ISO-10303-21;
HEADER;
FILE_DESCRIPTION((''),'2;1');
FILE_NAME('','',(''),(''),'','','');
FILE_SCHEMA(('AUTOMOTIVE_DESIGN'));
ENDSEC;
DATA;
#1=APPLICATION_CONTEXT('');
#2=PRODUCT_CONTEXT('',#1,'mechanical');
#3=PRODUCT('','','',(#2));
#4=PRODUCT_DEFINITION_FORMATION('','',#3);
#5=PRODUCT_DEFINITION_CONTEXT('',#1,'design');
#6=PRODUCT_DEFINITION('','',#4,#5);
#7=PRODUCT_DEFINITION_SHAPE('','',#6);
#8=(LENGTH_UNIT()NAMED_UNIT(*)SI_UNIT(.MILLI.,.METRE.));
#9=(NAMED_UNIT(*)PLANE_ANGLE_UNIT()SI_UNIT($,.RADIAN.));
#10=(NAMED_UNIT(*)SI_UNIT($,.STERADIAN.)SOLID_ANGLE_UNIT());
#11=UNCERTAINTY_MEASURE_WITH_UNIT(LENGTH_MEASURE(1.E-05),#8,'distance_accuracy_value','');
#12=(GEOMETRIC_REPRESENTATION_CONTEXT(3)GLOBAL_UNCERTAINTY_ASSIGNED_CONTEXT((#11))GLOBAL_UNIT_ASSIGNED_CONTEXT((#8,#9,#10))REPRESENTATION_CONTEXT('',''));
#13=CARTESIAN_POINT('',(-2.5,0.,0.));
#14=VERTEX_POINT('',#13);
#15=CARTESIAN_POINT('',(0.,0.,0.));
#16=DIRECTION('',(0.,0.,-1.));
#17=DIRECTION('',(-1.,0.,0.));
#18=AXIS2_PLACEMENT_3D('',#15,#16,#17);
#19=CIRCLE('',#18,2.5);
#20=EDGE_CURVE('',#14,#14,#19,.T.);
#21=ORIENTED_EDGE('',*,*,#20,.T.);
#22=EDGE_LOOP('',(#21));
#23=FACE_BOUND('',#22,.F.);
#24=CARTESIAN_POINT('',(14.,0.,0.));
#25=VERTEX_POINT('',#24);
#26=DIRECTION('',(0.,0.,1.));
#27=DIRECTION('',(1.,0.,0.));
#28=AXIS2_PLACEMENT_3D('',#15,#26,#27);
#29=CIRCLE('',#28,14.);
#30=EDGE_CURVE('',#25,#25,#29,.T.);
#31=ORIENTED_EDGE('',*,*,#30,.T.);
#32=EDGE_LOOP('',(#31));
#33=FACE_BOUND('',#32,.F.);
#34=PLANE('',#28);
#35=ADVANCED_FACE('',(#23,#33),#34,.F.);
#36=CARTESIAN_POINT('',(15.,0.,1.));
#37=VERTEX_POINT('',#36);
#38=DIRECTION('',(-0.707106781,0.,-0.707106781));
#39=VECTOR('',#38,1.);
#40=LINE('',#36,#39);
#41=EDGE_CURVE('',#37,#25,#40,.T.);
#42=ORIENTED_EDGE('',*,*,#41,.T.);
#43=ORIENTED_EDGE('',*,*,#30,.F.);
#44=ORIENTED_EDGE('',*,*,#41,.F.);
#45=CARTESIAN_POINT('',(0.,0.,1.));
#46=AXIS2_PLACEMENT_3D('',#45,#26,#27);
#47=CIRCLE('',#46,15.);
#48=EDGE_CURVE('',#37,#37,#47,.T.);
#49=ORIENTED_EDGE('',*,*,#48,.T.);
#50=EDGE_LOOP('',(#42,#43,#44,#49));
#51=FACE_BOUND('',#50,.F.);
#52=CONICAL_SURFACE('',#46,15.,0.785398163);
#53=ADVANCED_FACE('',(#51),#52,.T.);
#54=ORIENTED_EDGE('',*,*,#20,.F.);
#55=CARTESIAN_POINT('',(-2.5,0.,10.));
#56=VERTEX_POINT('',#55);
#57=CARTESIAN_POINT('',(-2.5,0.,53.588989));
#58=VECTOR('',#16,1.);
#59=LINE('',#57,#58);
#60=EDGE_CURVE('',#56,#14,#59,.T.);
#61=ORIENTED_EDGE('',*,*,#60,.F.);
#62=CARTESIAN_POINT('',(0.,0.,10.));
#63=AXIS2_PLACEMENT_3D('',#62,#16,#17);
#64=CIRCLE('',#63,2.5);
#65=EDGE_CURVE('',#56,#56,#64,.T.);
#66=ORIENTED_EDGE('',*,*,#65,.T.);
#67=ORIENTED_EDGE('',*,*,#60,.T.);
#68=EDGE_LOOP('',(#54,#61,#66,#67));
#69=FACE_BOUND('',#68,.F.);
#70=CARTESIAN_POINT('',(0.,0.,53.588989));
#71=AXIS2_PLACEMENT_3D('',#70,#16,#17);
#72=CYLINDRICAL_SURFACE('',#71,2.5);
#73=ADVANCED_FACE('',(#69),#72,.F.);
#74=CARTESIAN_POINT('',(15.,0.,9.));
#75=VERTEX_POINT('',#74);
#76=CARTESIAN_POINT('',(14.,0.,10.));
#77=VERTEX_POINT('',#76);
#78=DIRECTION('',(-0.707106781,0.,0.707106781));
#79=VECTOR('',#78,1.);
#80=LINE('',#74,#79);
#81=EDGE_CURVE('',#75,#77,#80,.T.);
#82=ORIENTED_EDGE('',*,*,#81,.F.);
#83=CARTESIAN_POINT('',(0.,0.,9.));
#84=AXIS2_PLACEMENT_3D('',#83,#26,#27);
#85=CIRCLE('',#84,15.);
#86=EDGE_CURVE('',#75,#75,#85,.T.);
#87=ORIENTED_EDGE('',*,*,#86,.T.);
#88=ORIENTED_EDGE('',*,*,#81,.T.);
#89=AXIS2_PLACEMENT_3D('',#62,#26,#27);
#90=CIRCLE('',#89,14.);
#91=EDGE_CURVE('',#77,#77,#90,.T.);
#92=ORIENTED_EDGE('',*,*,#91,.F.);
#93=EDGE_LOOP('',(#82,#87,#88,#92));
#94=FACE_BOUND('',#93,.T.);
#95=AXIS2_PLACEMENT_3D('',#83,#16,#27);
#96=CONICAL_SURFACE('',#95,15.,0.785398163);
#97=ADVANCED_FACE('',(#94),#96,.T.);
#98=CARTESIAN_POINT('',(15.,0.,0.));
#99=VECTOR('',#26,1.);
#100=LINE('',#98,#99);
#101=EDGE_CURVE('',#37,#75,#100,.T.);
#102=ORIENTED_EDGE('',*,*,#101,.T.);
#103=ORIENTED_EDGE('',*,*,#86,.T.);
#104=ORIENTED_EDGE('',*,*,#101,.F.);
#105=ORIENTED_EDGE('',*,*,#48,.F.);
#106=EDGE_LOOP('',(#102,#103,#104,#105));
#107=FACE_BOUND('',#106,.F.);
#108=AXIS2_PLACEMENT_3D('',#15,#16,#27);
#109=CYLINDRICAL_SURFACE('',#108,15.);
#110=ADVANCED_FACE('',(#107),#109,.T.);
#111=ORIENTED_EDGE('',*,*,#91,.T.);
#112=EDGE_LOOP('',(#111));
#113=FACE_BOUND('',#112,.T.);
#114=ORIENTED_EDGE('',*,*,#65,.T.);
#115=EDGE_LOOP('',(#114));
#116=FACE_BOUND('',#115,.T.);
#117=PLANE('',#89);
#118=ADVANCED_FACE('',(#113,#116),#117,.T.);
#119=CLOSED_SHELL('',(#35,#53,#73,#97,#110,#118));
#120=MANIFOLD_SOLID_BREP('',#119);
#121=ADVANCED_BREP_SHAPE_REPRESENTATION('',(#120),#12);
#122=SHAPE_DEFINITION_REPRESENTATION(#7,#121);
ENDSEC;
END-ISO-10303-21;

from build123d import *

# Parameters (mm, degrees)
F0_R     = 15
F1_DEPTH = 10
F2_SIZE  = 1
F4_D     = 5


with BuildPart() as f1:
    # F0 (on Top) → F1 (new body)
    with BuildSketch(Plane.XY):
        Circle(F0_R)
    extrude(amount=F1_DEPTH)

    # F2
    f2_edges = [f1.edges().sort_by_distance(p)[0] for p in [
        (-15, 0, 10),
        (-15, 0, 0),
    ]]
    chamfer(f2_edges, length=F2_SIZE)

    # F4 (through all)
    with Locations(Plane.XY.offset(10)):
        with Locations((0, 0)):
            Hole(F4_D / 2)


solid = f1.part
